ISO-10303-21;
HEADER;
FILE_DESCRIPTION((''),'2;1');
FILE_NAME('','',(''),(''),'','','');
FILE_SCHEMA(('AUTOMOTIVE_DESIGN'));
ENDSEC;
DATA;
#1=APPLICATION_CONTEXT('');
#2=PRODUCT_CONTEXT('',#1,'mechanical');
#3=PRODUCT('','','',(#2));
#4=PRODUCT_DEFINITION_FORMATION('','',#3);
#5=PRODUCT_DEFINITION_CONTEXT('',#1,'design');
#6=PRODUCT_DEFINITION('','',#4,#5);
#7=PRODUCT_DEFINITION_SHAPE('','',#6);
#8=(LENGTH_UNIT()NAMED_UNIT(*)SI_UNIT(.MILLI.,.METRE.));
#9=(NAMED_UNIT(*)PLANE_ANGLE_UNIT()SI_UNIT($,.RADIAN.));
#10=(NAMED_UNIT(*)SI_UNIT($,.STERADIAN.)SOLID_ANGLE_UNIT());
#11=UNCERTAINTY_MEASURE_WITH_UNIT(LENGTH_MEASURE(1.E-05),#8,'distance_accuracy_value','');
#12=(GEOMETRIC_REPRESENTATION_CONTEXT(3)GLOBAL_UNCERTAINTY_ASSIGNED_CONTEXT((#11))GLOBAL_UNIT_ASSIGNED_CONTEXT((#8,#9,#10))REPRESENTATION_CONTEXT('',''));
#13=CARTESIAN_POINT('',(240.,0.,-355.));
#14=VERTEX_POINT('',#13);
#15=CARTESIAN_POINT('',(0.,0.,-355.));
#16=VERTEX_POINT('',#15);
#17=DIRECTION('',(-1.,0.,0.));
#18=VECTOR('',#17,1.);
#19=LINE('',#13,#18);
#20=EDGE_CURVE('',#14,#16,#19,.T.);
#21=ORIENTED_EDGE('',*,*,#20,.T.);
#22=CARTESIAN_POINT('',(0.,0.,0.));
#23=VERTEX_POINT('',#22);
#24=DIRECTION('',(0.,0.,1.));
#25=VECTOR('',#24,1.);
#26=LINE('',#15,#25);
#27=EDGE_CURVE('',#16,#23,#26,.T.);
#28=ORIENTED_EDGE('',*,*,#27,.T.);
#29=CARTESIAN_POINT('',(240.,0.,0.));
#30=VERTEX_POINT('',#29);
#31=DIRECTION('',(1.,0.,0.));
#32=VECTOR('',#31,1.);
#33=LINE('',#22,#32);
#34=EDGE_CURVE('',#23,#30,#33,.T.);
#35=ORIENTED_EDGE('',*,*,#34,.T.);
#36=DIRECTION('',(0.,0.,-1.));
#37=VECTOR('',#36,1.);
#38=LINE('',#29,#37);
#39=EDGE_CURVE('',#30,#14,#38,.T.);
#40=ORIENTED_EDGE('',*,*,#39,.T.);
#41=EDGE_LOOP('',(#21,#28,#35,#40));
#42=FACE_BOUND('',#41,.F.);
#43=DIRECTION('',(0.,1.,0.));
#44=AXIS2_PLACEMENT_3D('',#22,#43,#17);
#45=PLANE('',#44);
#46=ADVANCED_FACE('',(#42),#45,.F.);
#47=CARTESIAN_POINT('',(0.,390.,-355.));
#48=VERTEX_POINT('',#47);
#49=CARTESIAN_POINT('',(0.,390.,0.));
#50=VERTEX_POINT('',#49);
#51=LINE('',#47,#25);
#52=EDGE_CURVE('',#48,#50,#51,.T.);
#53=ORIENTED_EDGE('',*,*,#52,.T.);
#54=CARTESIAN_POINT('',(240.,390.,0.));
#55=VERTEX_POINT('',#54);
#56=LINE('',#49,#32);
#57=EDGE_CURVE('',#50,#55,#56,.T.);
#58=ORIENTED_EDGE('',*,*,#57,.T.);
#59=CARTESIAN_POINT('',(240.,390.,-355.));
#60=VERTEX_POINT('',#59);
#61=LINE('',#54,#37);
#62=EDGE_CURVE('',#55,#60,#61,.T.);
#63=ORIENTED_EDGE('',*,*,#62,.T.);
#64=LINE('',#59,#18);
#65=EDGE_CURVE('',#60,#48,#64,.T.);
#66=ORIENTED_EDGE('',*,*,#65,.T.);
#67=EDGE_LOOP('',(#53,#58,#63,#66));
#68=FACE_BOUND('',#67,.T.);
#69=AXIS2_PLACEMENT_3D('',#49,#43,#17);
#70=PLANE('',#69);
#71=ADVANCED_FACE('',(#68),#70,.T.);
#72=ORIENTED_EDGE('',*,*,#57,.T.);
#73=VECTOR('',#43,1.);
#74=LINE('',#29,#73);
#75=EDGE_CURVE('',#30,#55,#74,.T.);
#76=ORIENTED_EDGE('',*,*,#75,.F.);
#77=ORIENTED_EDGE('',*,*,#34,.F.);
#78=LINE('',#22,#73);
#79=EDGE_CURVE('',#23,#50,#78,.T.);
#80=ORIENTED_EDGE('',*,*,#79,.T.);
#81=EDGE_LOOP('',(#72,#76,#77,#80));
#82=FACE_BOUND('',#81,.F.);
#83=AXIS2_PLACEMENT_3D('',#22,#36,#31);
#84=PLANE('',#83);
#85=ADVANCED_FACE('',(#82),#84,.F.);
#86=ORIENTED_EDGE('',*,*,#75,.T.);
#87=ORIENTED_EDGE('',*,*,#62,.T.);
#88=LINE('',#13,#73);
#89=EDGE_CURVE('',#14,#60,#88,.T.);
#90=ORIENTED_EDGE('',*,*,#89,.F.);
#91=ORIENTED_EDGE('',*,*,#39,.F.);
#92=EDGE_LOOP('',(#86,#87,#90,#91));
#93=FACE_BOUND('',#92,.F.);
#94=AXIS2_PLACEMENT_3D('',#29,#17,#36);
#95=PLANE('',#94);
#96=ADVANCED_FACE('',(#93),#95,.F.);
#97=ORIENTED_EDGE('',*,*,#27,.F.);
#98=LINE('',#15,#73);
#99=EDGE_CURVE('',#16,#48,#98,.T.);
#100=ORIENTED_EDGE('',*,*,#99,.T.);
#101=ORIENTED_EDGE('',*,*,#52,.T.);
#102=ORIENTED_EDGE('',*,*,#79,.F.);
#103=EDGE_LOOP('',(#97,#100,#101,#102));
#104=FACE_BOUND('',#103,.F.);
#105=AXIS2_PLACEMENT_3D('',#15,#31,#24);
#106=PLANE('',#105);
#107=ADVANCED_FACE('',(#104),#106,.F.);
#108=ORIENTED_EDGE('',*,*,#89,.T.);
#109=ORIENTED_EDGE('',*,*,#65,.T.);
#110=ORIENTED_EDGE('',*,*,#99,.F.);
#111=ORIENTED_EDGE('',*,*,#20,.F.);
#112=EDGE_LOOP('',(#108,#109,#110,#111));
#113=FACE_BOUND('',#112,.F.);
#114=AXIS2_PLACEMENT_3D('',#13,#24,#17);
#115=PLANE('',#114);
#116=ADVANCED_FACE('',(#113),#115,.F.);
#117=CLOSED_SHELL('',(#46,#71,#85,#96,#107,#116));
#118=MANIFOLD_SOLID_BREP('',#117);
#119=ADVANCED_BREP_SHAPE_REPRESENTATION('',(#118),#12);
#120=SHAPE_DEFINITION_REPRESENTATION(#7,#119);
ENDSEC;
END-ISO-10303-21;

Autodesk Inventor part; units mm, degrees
ref_plane "YZ Plane" through (0, 0, 0) normal (1, 0, 0) x (0, 1, 0)
ref_plane "XZ Plane" through (0, 0, 0) normal (0, 1, 0) x (-1, 0, 0)
ref_plane "XY Plane" through (0, 0, 0) normal (0, 0, 1) x (1, 0, 0)
sketch "Sketch1" plane through (0, 0, 0) normal (0, 1, 0) x (-1, 0, 0)
  line L0 (0, 0) -> (-240, 0)
  line L1 (-240, 0) -> (-240, -355)
  line L2 (-240, -355) -> (0, -355)
  line L3 (0, -355) -> (0, 0)
  dimension "d0" = 240
  dimension "d1" = 355
extrude "Extrusion1" add sketch "Sketch1" along normal blind 390
sketch "Sketch7" plane through (0, 0, 0) normal (0, 0, 1) x (1, 0, 0)
  line L0 (240, 0) -> (0, 0) projected
  line L1 (0, 0) -> (240, 0)
sketch "Sketch8" plane through (240, 0, 0) normal (1, 0, 0) x (0, 0, -1)
  line L0 (0, 0) -> (355, 0) projected
  line L1 (0, 0) -> (100, 0)
  dimension "d8" = 100
ref_plane "Work Plane1" through (0, 0, -100) normal (0, 0, 1) x (1, 0, 0)
sketch "Sketch9" plane through (0, 0, -100) normal (0, 0, 1) x (1, 0, 0)
  line L0 (240, 0) -> (0, 0) projected
  line L1 (0, 0) -> (240, 0)
ref_plane "Work Plane3" through (0, 0, -200) normal (0, 0, 1) x (1, 0, 0)
sketch "Sketch10" plane through (0, 0, -200) normal (0, 0, 1) x (1, 0, 0)
  line L0 (240, 0) -> (0, 0) projected
  line L1 (0, 0) -> (240, 0)
properties part number "pump support"
